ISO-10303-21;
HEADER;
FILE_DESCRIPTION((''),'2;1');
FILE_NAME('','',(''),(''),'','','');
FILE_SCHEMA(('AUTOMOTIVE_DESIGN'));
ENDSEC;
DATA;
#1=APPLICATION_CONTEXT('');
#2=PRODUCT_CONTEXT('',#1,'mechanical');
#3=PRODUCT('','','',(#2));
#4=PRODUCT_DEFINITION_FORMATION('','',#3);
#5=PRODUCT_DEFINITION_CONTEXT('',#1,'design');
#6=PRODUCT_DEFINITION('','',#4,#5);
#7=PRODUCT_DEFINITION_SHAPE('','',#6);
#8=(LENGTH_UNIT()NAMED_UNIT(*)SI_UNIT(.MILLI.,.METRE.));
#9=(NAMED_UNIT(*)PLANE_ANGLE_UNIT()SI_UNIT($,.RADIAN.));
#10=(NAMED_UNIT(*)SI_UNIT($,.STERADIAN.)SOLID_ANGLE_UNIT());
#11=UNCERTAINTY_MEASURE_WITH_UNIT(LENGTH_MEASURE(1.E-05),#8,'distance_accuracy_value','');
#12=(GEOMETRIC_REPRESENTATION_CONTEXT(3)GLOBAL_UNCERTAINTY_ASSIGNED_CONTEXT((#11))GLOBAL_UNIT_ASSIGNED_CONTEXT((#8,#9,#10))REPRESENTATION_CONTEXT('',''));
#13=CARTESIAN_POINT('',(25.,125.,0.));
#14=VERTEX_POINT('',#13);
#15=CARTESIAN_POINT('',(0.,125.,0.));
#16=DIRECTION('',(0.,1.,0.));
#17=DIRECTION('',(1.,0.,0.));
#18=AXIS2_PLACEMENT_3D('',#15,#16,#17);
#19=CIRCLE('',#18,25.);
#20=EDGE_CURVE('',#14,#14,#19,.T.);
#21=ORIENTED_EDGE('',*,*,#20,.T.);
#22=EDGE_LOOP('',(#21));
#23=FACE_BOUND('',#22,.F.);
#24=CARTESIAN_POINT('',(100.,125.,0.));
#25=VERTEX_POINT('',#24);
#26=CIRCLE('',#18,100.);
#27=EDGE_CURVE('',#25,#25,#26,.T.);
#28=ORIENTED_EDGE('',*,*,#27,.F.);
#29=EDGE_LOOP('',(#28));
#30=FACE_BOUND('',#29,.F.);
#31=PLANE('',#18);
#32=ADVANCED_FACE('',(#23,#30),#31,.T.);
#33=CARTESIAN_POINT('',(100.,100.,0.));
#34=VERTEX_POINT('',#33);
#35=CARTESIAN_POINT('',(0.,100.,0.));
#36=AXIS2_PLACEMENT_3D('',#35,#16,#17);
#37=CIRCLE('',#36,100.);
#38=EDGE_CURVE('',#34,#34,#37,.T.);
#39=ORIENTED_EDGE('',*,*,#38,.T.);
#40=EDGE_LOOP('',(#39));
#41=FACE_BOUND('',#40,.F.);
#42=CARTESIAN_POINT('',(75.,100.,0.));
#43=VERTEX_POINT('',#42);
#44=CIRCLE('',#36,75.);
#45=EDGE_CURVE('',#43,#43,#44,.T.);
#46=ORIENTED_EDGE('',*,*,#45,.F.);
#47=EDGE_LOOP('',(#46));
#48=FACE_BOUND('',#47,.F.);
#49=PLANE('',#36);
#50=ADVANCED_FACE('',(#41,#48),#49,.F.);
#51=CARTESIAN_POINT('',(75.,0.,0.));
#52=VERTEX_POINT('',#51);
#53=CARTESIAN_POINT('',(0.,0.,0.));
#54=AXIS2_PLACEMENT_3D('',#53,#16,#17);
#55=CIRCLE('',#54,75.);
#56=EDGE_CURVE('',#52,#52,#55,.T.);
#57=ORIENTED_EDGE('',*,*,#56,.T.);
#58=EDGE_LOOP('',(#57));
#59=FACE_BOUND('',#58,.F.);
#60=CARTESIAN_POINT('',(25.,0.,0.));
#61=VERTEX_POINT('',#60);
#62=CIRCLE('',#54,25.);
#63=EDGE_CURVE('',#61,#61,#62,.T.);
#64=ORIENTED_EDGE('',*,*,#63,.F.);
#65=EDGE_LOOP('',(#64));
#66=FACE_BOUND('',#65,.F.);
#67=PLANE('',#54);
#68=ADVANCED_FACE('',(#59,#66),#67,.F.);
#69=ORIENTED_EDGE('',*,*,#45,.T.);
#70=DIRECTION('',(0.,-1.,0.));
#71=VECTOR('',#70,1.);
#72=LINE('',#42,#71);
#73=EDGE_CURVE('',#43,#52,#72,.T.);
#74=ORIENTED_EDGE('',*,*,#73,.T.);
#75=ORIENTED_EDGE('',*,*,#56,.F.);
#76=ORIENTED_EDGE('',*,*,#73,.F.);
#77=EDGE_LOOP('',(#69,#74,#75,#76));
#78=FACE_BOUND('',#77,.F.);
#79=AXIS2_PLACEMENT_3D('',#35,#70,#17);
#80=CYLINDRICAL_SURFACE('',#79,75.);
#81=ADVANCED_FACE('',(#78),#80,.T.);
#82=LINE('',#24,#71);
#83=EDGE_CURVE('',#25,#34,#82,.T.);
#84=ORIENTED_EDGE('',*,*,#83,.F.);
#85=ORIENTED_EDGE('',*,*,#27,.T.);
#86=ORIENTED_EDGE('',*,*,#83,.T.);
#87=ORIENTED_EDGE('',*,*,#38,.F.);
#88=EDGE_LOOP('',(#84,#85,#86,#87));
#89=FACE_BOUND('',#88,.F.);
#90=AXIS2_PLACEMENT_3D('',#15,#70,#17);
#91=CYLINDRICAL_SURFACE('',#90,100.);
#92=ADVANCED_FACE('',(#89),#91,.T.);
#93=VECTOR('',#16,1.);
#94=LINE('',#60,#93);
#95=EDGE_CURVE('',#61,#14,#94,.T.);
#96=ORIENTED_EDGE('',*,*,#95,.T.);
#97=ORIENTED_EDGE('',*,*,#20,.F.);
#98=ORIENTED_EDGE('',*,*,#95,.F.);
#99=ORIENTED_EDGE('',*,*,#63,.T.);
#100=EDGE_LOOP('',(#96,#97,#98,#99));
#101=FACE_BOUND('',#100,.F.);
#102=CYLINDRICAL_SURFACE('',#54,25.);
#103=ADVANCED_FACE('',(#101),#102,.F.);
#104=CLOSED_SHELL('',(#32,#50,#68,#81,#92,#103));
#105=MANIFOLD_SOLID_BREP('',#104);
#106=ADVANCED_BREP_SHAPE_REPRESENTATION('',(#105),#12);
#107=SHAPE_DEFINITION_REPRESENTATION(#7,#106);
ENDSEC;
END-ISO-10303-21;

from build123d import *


with BuildPart() as part:
    # Sketch1 → Revolve1 (revolve)
    with BuildSketch(Plane.XY):
        Polygon((25, 0), (25, 125), (100, 125), (100, 100), (75, 100), (75, 0), align=None)
    revolve(axis=Axis((0, 0, 0), (0, 1, 0)))


solid = part.part
